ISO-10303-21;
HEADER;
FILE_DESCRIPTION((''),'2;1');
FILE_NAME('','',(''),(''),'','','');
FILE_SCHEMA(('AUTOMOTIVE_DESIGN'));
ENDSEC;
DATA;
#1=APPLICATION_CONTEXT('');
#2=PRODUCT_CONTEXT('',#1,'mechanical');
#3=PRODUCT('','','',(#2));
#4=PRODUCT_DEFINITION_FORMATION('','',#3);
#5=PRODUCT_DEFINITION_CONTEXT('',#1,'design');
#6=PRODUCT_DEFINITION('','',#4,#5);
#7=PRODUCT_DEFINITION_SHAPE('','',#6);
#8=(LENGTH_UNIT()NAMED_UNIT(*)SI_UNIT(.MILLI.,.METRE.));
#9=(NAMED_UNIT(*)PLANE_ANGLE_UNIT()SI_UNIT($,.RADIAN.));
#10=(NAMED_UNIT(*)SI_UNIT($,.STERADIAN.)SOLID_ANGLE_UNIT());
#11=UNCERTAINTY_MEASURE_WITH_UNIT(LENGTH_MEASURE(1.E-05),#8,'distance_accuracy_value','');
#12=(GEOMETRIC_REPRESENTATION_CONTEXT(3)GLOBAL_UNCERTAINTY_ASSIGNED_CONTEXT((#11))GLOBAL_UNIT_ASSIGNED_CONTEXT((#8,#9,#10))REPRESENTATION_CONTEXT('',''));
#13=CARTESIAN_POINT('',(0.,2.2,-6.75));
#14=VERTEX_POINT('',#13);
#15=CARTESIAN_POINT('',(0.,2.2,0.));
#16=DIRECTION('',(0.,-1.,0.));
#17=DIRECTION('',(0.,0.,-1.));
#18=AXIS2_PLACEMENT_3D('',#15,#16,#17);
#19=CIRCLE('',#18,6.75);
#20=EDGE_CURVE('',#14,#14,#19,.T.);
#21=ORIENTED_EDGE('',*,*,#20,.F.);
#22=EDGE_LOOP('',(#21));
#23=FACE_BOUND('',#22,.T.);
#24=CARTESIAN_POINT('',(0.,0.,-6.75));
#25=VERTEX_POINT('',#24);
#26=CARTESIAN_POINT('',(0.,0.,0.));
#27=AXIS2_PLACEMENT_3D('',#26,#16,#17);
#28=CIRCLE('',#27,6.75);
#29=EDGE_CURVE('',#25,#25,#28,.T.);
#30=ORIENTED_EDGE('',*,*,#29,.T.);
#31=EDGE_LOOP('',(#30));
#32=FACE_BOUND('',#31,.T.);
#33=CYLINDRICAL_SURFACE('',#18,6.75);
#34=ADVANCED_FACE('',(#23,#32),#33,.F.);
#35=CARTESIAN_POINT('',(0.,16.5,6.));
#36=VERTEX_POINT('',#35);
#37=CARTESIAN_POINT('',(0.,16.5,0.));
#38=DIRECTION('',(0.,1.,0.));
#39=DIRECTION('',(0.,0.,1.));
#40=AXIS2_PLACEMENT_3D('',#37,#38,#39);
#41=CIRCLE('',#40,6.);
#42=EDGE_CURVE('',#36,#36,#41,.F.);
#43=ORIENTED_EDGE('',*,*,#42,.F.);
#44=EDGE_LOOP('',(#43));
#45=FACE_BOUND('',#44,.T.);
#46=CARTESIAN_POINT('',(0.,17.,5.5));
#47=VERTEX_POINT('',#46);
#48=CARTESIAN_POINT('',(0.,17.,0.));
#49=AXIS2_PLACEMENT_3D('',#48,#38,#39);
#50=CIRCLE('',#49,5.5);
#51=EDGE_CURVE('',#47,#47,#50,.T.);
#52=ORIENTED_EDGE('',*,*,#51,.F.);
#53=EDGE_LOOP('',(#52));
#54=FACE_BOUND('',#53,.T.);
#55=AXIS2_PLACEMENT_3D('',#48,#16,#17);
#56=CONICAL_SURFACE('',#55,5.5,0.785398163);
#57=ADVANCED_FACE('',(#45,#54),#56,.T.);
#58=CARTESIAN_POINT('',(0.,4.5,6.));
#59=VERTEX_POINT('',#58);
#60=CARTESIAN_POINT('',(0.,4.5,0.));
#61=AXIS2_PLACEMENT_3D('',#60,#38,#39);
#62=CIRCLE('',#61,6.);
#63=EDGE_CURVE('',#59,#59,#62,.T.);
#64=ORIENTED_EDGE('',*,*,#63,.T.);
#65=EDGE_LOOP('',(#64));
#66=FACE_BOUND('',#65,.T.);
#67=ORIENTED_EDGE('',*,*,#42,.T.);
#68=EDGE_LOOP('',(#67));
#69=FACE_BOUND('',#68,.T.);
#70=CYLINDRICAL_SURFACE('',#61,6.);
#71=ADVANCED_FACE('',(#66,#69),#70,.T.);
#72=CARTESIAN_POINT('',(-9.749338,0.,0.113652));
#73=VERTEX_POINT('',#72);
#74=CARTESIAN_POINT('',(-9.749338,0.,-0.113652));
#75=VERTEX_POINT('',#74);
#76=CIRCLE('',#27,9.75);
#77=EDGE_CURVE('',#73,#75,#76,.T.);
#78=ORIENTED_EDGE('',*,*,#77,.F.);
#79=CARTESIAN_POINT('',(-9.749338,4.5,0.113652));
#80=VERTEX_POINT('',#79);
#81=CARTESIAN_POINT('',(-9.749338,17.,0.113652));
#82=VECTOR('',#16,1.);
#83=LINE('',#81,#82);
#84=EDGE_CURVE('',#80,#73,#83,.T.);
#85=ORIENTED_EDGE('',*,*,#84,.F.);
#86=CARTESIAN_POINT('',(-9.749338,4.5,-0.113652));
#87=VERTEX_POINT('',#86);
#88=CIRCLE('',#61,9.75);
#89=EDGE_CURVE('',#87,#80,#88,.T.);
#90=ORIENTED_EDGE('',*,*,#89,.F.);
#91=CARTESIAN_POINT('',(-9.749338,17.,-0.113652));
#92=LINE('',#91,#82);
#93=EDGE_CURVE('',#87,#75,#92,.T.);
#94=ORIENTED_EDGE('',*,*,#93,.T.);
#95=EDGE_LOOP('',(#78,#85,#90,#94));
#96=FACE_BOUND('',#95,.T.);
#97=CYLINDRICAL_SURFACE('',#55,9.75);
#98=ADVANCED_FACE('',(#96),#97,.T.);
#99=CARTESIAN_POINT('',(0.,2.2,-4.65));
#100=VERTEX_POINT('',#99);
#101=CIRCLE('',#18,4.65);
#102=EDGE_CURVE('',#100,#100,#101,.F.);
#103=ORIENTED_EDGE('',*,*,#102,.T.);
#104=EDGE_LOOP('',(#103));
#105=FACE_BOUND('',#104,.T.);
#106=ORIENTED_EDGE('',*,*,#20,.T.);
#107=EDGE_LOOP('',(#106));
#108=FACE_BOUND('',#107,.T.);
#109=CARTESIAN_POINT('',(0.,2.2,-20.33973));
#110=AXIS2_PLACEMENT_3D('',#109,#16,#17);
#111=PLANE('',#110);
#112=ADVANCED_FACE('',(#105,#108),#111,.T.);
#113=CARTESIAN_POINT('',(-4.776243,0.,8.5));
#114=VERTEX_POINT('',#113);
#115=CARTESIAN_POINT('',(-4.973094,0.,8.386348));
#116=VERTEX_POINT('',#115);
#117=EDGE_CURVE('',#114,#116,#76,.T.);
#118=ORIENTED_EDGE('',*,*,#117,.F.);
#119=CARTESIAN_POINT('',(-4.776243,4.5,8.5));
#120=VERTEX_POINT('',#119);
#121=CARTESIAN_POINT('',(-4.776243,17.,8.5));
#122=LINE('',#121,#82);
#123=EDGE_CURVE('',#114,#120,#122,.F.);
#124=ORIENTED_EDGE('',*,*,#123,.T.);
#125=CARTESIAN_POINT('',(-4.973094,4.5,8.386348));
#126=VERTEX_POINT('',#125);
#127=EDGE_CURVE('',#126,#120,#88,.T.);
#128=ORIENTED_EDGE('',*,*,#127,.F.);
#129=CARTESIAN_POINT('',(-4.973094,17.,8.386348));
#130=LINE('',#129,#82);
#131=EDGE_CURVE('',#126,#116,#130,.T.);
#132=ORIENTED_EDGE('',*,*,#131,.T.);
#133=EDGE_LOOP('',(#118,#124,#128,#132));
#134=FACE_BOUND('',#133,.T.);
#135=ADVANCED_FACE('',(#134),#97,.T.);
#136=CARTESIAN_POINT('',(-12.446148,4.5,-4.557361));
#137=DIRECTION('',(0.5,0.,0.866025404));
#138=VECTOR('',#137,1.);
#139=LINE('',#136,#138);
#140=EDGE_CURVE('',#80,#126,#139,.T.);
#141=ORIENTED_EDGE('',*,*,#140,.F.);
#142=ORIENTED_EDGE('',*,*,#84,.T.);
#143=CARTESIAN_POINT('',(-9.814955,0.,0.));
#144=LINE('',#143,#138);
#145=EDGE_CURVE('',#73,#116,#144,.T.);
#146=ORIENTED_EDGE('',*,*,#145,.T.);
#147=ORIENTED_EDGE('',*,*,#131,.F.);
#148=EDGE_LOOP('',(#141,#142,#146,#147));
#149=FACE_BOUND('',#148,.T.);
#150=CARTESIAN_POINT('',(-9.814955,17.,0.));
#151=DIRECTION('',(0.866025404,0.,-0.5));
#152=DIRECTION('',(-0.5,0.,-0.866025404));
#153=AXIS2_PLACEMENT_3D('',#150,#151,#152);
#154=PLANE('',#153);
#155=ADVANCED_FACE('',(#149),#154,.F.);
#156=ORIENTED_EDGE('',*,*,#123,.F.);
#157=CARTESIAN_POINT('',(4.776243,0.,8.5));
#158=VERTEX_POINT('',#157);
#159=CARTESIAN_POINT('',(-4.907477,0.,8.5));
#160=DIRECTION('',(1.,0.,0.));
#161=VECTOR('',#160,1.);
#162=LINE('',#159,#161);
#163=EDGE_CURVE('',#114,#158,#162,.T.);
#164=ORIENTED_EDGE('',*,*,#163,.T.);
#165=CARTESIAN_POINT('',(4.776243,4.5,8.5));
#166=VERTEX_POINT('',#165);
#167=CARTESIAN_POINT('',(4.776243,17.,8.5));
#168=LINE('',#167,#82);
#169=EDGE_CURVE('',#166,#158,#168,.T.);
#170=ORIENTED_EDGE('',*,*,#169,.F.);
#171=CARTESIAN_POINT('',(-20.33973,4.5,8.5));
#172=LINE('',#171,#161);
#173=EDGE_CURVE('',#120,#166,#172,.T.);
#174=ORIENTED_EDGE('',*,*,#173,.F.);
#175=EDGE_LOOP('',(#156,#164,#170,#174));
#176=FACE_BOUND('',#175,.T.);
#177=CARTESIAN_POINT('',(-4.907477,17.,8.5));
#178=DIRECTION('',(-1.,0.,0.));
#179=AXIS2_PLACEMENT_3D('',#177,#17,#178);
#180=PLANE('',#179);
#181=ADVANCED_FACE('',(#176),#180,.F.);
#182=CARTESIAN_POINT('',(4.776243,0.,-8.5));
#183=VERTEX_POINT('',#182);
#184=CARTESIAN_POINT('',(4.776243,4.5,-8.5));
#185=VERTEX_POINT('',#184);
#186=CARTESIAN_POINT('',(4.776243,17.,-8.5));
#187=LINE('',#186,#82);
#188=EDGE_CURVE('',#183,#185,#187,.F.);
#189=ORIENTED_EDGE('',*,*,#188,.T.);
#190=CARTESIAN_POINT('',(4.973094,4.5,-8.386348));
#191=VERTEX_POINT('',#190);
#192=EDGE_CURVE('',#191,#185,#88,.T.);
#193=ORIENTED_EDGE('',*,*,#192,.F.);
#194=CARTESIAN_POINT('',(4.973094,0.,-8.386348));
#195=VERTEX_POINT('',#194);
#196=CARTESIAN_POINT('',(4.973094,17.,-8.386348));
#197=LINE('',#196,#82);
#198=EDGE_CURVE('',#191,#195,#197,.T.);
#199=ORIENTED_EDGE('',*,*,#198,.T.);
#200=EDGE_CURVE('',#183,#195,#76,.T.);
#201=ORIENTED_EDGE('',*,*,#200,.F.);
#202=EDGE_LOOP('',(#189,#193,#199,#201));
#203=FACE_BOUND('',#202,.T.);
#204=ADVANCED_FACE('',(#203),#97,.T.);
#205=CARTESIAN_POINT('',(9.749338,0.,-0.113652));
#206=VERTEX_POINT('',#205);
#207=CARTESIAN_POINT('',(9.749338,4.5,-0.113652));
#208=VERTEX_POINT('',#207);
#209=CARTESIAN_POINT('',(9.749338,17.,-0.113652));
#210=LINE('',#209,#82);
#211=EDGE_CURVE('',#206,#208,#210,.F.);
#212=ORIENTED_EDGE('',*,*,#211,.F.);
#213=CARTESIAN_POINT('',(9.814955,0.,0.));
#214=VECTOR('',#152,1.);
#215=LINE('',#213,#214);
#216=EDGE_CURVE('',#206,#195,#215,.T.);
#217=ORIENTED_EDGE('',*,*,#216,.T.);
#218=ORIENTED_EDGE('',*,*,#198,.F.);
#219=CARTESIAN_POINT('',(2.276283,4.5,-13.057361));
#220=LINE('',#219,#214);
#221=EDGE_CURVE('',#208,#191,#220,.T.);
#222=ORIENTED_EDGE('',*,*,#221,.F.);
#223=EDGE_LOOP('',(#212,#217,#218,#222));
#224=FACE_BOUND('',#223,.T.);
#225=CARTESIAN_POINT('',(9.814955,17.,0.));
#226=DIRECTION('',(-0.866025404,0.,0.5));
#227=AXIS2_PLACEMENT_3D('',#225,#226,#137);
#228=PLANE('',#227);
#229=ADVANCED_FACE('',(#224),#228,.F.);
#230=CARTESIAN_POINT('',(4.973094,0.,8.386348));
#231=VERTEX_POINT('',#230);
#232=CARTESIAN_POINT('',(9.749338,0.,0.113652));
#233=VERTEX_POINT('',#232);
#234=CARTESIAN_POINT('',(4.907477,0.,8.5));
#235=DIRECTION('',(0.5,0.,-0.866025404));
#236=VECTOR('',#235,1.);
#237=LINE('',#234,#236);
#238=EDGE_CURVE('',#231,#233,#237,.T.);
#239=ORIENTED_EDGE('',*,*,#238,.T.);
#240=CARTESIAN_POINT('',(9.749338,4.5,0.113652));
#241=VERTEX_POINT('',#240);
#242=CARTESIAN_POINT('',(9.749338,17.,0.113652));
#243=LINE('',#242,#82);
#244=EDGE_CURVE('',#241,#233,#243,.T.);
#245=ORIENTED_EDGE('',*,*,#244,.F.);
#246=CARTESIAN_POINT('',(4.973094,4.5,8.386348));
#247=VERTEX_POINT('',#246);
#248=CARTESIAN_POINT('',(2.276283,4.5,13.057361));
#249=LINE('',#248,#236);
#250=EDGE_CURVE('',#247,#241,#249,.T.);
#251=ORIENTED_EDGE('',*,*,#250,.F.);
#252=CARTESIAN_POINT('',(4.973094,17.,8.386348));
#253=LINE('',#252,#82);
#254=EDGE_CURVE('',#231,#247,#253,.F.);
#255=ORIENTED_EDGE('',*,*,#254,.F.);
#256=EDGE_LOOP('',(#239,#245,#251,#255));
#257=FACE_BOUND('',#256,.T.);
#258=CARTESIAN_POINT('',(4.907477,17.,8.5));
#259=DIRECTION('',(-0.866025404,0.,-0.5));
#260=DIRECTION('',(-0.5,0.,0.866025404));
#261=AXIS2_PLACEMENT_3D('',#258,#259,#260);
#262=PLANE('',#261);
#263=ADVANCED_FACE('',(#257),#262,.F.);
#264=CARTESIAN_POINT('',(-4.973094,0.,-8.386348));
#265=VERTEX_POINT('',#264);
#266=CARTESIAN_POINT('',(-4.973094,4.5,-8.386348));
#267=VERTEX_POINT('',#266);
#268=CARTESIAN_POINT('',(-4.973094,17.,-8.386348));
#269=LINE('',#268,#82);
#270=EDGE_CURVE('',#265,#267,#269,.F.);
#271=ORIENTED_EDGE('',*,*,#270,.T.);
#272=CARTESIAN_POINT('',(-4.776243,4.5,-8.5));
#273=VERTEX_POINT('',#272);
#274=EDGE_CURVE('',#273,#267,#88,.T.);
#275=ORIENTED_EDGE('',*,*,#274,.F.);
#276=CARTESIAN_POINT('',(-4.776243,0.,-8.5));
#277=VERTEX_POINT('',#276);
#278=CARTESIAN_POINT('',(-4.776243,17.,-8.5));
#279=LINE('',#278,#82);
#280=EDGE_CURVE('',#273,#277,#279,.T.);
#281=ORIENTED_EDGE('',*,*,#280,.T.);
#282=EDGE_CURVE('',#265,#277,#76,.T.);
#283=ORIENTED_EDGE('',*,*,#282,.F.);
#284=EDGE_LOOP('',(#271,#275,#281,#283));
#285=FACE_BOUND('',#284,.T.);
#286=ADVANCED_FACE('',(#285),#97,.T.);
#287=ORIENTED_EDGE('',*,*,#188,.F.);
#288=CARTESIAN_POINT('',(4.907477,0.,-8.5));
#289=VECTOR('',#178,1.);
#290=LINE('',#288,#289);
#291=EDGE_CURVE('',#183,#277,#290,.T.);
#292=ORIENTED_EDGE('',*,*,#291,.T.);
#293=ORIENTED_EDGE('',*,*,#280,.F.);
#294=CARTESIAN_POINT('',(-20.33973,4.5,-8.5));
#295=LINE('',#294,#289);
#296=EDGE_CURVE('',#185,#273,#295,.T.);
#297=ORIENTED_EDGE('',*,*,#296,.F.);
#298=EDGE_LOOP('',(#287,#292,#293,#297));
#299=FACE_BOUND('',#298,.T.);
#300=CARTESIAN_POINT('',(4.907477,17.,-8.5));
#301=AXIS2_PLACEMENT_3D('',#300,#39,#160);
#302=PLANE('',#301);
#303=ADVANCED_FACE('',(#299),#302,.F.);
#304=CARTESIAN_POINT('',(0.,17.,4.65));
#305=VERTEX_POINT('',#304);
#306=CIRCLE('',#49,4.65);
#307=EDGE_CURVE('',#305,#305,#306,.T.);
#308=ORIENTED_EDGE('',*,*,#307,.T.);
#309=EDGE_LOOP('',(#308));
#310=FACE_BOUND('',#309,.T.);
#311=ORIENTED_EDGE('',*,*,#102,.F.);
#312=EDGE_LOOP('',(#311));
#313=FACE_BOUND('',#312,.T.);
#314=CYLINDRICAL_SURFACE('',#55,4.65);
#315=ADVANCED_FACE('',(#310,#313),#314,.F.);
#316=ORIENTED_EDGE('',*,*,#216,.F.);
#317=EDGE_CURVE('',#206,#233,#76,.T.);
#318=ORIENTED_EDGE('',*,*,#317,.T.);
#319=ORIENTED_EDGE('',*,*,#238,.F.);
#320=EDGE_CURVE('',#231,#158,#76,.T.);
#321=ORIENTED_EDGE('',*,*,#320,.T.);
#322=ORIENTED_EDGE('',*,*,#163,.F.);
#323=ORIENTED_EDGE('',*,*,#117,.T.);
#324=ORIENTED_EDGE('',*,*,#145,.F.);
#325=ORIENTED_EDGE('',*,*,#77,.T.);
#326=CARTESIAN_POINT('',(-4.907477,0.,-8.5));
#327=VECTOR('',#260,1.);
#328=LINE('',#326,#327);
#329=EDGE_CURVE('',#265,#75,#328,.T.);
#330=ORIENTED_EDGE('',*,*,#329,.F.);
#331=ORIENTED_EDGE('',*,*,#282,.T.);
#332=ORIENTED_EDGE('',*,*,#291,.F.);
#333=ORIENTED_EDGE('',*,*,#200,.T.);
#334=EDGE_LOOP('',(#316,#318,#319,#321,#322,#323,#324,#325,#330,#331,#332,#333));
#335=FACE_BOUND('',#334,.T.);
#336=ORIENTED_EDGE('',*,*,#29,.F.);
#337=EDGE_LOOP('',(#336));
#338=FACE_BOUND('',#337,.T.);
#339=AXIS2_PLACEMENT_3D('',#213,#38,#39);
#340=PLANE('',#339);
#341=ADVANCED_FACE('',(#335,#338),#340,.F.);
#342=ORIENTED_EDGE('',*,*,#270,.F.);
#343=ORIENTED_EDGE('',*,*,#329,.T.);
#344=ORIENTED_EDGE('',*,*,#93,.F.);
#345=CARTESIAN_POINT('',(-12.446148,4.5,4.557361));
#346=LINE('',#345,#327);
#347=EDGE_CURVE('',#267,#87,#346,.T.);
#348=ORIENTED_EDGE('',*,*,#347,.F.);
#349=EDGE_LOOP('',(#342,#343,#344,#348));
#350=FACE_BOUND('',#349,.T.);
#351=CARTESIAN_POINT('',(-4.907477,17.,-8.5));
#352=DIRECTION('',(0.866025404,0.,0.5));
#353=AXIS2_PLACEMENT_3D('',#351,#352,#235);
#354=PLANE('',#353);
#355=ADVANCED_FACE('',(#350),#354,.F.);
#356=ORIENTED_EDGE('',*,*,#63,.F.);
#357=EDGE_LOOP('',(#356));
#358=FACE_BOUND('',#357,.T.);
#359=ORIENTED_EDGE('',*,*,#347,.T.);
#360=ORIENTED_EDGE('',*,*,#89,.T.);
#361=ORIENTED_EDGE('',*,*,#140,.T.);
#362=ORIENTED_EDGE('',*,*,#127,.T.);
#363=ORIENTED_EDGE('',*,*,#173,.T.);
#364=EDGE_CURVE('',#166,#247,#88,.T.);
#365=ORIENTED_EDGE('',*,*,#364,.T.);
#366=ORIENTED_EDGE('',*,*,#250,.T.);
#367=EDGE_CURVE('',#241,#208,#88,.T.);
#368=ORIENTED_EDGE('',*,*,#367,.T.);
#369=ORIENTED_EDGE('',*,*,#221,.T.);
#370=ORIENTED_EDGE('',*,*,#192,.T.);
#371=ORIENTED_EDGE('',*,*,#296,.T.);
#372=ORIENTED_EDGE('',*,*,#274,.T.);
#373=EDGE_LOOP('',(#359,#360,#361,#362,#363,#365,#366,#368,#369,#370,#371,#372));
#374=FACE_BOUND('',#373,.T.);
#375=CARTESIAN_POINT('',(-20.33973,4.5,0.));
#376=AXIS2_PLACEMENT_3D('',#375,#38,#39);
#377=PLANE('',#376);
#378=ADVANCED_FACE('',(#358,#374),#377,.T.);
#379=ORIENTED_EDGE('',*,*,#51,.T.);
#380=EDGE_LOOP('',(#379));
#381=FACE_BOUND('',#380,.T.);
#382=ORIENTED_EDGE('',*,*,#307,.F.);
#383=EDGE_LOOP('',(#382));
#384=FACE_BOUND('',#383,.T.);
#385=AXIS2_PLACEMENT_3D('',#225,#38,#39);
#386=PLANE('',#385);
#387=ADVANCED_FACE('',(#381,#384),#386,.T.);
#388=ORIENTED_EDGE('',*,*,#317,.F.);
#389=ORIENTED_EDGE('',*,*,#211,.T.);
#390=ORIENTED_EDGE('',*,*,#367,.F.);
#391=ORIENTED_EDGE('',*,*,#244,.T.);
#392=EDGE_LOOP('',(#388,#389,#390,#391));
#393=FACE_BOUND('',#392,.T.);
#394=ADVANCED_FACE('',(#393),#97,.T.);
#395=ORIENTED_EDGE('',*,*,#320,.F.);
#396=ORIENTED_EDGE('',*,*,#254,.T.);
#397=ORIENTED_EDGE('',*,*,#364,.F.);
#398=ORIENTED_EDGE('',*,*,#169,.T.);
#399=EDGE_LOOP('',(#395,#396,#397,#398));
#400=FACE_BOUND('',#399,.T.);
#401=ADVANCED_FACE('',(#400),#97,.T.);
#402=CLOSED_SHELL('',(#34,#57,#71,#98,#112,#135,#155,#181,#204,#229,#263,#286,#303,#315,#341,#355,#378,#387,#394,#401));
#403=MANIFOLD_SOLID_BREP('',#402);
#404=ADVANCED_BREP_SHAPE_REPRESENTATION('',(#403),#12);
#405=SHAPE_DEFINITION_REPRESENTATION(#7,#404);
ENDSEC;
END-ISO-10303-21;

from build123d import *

# Parameters (mm, degrees)
SKETCH_1_R          = 4.65
EXTRUDE_1_DEPTH     = 17
SKETCH_2_R          = 6
CUT_EXTRUDE_1_DEPTH = 12.5
SKETCH_3_R          = 6.75
SKETCH_3_R_2        = 4.65
CUT_EXTRUDE_2_DEPTH = 2.2
CHAMFER_1_SIZE      = 0.5
CUT_EXTRUDE_3_DEPTH = 18


with BuildPart() as part:
    # Эскиз1 → Бобышка-Вытянуть1 (new body)
    with BuildSketch(Plane(origin=(0, 0, 0), x_dir=(1, 0, 0), z_dir=(0, 1, 0))):
        Polygon((9.814954576, 0), (4.907477288, 8.5), (-4.907477288, 8.5), (-9.814954576, 0), (-4.907477288, -8.5), (4.907477288, -8.5), align=None)
        Circle(SKETCH_1_R, mode=Mode.SUBTRACT)
    extrude(amount=EXTRUDE_1_DEPTH)

    # Эскиз2 → Вырез-Вытянуть1 (cut)
    with BuildSketch(Plane(origin=(0, 17, 0), x_dir=(1, 0, 0), z_dir=(0, 1, 0))):
        Polygon((-4.907477288, -8.5), (4.907477288, -8.5), (9.814954576, 0), (4.907477288, 8.5), (-4.907477288, 8.5), (-9.814954576, 0), align=None)
        Circle(SKETCH_2_R, mode=Mode.SUBTRACT)
    extrude(amount=-CUT_EXTRUDE_1_DEPTH, mode=Mode.SUBTRACT)

    # Эскиз3 → Вырез-Вытянуть2 (cut)
    with BuildSketch(Plane.XZ):
        Circle(SKETCH_3_R)
        Circle(SKETCH_3_R_2, mode=Mode.SUBTRACT)
    extrude(amount=-CUT_EXTRUDE_2_DEPTH, mode=Mode.SUBTRACT)

    # Фаска1
    chamfer_1_edges = [part.edges().sort_by_distance(p)[0] for p in [
        (-6, 17, 0),
    ]]
    chamfer(chamfer_1_edges, length=CHAMFER_1_SIZE)

    # Эскиз4 → Вырез-Вытянуть3 (cut, through all)
    with BuildSketch(Plane.XZ):
        with BuildLine():
            ThreePointArc((-9.749337579, -0.113651973), (-9.75, 0), (-9.749337579, 0.113651973))
            Line((-9.749337579, 0.113651973), (-9.814954576, 0))
            Line((-9.814954576, 0), (-9.749337579, -0.113651973))
        make_face()
        with BuildLine():
            ThreePointArc((-4.973094285, 8.386348027), (-4.875, 8.443747687), (-4.776243294, 8.5))
            Line((-4.776243294, 8.5), (-4.907477288, 8.5))
            Line((-4.907477288, 8.5), (-4.973094285, 8.386348027))
        make_face()
        with BuildLine():
            ThreePointArc((4.776243294, 8.5), (4.875, 8.443747687), (4.973094285, 8.386348027))
            Line((4.973094285, 8.386348027), (4.907477288, 8.5))
            Line((4.907477288, 8.5), (4.776243294, 8.5))
        make_face()
        with BuildLine():
            ThreePointArc((9.749337579, 0.113651973), (9.749834393, 0.056826952), (9.75, 0))
            ThreePointArc((9.75, 0), (9.749834393, -0.056826952), (9.749337579, -0.113651973))
            Line((9.749337579, -0.113651973), (9.814954576, 0))
            Line((9.814954576, 0), (9.749337579, 0.113651973))
        make_face()
        with BuildLine():
            Line((4.907477288, -8.5), (4.973094285, -8.386348027))
            ThreePointArc((4.973094285, -8.386348027), (4.875, -8.443747687), (4.776243294, -8.5))
            Line((4.776243294, -8.5), (4.907477288, -8.5))
        make_face()
        with BuildLine():
            Line((-4.907477288, -8.5), (-4.776243294, -8.5))
            ThreePointArc((-4.776243294, -8.5), (-4.875, -8.443747687), (-4.973094285, -8.386348027))
            Line((-4.973094285, -8.386348027), (-4.907477288, -8.5))
        make_face()
    extrude(amount=-CUT_EXTRUDE_3_DEPTH, mode=Mode.SUBTRACT)


solid = part.part
